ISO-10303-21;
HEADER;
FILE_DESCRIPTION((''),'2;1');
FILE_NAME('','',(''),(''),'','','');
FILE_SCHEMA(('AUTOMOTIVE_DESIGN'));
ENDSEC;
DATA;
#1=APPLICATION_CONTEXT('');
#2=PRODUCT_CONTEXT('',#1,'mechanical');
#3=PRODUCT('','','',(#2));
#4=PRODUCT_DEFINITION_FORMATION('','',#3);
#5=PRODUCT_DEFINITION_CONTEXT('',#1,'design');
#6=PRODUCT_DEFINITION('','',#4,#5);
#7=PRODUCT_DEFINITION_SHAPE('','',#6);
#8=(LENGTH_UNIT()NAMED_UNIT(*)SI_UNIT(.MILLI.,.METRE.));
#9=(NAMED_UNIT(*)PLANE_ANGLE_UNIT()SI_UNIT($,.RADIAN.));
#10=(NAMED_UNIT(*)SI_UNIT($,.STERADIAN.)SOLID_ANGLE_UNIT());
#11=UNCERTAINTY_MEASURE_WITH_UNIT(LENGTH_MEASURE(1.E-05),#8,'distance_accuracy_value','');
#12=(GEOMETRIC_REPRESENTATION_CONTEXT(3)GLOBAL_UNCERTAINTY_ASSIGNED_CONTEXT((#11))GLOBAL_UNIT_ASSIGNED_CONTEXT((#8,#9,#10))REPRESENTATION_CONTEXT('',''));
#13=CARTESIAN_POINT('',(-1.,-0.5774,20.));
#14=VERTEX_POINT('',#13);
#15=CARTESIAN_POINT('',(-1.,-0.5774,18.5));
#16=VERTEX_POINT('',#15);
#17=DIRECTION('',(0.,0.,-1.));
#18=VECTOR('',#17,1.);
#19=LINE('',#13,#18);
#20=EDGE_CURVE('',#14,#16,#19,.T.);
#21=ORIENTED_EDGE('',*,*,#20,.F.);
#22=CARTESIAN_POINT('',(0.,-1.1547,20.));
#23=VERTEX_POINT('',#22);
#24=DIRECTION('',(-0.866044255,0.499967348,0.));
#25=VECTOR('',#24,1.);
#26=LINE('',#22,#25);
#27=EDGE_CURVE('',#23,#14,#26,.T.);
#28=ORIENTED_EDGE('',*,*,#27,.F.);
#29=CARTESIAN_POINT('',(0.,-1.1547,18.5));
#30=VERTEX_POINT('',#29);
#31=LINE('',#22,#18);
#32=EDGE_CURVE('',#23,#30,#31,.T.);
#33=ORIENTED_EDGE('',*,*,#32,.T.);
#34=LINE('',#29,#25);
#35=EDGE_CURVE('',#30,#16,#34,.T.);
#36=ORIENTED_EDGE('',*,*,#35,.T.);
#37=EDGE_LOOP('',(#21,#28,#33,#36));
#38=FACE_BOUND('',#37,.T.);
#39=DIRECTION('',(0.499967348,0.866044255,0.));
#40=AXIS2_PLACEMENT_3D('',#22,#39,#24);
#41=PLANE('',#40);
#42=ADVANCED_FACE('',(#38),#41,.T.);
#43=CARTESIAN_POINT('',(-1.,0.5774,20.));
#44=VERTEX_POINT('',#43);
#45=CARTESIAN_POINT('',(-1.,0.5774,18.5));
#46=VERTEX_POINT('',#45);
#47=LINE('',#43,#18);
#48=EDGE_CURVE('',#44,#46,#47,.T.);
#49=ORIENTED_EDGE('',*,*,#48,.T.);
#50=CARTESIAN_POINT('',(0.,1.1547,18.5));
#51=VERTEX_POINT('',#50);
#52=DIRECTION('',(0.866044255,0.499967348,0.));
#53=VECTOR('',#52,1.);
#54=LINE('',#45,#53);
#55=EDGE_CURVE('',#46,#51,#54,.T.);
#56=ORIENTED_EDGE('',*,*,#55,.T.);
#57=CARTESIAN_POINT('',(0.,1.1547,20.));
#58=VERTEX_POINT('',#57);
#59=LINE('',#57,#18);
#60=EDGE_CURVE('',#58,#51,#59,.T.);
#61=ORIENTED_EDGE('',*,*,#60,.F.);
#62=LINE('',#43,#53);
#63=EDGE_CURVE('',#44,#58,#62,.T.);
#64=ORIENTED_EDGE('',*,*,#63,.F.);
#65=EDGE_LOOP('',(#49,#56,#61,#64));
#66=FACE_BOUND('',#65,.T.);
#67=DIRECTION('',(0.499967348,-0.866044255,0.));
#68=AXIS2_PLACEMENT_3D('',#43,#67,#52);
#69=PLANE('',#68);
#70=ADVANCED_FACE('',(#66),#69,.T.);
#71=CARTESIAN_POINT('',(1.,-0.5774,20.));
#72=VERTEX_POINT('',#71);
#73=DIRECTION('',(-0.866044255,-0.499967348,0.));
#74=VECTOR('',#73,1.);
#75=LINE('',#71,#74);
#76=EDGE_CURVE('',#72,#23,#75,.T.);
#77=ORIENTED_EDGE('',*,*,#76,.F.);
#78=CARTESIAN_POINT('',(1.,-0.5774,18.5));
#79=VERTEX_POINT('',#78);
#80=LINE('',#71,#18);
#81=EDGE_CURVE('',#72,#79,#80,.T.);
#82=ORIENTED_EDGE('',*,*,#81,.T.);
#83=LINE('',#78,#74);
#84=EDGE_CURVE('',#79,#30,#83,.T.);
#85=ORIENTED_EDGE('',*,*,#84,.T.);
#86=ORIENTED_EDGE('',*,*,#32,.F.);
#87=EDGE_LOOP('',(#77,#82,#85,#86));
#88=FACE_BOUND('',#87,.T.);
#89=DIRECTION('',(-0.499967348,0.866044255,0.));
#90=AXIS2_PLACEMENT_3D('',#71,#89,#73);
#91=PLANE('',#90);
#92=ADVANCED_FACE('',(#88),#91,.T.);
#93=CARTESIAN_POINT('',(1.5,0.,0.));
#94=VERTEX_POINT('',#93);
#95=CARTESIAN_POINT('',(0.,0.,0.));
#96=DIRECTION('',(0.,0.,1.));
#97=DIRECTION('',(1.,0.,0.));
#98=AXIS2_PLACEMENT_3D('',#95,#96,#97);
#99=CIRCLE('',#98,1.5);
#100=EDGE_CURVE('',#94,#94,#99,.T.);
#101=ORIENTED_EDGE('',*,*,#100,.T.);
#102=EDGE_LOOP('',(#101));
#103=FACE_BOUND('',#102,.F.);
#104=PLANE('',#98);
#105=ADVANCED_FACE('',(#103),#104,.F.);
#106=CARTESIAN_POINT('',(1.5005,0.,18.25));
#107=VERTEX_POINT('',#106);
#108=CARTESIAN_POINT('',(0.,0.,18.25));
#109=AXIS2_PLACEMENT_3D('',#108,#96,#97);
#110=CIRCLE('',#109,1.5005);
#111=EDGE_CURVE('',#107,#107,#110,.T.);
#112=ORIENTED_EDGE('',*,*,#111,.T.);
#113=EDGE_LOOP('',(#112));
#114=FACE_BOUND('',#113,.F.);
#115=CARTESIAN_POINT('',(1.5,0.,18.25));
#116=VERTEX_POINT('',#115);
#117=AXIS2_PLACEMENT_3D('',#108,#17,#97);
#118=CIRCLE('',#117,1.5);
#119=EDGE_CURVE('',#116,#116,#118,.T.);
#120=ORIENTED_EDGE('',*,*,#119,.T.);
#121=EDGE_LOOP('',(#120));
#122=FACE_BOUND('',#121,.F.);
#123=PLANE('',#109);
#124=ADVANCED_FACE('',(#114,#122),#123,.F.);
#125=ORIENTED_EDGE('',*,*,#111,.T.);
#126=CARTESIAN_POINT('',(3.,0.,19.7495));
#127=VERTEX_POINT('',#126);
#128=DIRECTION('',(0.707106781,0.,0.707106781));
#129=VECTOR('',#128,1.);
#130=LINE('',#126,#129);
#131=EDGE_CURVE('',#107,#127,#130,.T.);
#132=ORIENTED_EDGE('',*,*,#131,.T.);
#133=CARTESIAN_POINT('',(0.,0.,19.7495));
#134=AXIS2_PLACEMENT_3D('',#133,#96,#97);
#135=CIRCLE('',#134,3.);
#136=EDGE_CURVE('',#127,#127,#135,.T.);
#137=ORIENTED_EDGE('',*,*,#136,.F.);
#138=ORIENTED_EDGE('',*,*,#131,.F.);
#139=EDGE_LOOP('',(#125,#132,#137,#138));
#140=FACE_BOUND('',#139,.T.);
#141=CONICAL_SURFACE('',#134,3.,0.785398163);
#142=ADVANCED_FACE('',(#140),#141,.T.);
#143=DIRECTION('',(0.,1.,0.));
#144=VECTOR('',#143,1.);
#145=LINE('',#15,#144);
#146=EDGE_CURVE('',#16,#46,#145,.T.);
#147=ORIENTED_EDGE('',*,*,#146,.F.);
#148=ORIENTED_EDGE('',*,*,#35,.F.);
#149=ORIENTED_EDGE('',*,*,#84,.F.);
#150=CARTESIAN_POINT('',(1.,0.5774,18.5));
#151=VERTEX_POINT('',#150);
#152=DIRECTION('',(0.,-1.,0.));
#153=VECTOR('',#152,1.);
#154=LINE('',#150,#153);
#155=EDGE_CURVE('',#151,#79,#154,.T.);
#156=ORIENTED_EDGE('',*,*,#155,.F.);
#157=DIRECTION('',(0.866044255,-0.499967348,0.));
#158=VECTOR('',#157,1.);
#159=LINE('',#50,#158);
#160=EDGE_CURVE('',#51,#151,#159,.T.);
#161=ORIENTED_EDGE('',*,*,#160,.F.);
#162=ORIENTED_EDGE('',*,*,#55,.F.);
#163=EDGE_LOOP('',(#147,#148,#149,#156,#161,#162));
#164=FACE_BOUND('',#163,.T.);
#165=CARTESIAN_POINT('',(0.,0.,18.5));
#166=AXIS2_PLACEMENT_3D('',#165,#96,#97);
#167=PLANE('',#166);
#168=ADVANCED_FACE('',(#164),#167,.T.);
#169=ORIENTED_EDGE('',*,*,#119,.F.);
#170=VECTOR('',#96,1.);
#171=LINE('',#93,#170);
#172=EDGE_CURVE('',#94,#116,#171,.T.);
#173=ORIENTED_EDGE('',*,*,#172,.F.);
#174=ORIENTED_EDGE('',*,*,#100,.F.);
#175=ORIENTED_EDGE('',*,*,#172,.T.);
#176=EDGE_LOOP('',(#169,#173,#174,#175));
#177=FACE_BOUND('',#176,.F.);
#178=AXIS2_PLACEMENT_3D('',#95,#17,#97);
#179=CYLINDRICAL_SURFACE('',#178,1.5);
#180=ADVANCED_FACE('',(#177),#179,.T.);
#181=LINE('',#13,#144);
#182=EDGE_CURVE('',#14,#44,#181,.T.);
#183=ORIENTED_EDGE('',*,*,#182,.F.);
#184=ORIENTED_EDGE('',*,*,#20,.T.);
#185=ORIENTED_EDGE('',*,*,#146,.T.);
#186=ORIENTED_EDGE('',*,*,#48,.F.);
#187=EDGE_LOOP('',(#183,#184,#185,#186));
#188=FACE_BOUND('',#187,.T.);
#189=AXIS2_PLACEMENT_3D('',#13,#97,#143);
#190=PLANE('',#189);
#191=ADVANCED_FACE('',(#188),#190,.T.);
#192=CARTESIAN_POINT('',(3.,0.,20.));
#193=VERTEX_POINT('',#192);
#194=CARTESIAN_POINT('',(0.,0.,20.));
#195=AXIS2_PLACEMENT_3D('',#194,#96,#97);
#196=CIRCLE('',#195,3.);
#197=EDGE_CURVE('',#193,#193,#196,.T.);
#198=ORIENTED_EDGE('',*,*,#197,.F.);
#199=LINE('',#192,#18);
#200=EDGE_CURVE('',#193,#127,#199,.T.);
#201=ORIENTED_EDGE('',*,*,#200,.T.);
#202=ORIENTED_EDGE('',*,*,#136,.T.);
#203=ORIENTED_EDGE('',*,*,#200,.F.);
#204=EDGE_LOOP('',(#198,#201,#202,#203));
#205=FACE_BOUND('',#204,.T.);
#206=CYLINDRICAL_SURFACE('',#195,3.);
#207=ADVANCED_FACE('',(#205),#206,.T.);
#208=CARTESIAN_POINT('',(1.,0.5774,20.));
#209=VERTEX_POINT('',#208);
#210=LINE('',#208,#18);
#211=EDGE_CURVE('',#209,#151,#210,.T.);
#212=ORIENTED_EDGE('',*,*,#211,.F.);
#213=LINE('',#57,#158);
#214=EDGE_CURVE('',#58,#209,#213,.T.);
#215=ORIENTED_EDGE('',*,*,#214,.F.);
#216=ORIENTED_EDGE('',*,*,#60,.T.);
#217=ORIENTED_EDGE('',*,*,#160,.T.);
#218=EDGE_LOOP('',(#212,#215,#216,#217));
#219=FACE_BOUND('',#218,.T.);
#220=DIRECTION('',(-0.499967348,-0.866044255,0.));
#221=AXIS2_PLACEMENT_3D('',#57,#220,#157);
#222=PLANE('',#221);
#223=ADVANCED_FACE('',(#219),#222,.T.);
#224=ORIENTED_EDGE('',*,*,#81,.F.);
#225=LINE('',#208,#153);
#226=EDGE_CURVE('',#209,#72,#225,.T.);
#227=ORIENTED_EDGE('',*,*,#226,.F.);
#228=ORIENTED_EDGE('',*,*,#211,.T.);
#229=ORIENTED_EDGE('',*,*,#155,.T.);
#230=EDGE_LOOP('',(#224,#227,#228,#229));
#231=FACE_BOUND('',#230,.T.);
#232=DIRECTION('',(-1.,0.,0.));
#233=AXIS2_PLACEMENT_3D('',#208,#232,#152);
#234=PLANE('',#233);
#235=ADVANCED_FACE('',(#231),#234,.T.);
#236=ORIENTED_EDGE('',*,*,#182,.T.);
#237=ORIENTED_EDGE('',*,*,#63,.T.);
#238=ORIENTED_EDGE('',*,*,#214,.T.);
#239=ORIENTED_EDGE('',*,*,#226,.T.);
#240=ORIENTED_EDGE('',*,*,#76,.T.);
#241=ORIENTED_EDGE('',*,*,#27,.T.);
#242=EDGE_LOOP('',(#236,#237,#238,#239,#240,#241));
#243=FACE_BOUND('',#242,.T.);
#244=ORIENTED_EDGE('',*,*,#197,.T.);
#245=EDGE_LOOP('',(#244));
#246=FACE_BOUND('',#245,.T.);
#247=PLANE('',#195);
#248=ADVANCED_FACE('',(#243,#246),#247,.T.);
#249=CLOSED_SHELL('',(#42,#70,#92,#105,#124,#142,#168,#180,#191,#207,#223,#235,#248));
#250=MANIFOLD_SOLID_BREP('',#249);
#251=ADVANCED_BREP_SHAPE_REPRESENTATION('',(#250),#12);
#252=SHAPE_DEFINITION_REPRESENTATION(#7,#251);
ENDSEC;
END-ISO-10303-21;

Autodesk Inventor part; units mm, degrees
ref_plane "YZ Plane" through (0, 0, 0) normal (1, 0, 0) x (0, 1, 0)
ref_plane "XZ Plane" through (0, 0, 0) normal (0, 1, 0) x (-1, 0, 0)
ref_plane "XY Plane" through (0, 0, 0) normal (0, 0, 1) x (1, 0, 0)
sketch "スケッチ1" plane through (0, 0, 0) normal (0, 0, 1) x (1, 0, 0)
  circle A0 centre (0, 0) radius 1.5
  dimension "d0" = 3
extrude "押し出し1" add sketch "スケッチ1" along normal blind 20
thread "ねじ1" size "M3x0.5" class "6g" standard "ANSI Metric M Profile" full length
sketch "スケッチ2" plane through (0, 0, 20) normal (0, 0, 1) x (1, 0, 0)
  circle A0 centre (0, 0) radius 3
  dimension "d5" = 6
extrude "押し出し2" add sketch "スケッチ2" against normal blind 1.75
chamfer "面取り1" distance 1.5 angle 45 1 edges at (-3, 0, 18.25)
sketch "スケッチ3" plane through (0, 0, 20) normal (0, 0, 1) x (1, 0, 0)
  line L0 (0, 1.1547) -> (1, 0.5774)
  line L1 (1, 0.5774) -> (1, -0.5774)
  line L2 (1, -0.5774) -> (0, -1.1547)
  line L3 (0, -1.1547) -> (-1, -0.5774)
  line L4 (-1, -0.5774) -> (-1, 0.5774)
  line L5 (-1, 0.5774) -> (0, 1.1547)
  point P0 (0, 0)
  point P1 (0, 0)
  dimension "d11" = 2
extrude "押し出し3" cut sketch "スケッチ3" against normal blind 1.5
properties part number "m3皿ネジ　２０" material "鉄 灰色"
